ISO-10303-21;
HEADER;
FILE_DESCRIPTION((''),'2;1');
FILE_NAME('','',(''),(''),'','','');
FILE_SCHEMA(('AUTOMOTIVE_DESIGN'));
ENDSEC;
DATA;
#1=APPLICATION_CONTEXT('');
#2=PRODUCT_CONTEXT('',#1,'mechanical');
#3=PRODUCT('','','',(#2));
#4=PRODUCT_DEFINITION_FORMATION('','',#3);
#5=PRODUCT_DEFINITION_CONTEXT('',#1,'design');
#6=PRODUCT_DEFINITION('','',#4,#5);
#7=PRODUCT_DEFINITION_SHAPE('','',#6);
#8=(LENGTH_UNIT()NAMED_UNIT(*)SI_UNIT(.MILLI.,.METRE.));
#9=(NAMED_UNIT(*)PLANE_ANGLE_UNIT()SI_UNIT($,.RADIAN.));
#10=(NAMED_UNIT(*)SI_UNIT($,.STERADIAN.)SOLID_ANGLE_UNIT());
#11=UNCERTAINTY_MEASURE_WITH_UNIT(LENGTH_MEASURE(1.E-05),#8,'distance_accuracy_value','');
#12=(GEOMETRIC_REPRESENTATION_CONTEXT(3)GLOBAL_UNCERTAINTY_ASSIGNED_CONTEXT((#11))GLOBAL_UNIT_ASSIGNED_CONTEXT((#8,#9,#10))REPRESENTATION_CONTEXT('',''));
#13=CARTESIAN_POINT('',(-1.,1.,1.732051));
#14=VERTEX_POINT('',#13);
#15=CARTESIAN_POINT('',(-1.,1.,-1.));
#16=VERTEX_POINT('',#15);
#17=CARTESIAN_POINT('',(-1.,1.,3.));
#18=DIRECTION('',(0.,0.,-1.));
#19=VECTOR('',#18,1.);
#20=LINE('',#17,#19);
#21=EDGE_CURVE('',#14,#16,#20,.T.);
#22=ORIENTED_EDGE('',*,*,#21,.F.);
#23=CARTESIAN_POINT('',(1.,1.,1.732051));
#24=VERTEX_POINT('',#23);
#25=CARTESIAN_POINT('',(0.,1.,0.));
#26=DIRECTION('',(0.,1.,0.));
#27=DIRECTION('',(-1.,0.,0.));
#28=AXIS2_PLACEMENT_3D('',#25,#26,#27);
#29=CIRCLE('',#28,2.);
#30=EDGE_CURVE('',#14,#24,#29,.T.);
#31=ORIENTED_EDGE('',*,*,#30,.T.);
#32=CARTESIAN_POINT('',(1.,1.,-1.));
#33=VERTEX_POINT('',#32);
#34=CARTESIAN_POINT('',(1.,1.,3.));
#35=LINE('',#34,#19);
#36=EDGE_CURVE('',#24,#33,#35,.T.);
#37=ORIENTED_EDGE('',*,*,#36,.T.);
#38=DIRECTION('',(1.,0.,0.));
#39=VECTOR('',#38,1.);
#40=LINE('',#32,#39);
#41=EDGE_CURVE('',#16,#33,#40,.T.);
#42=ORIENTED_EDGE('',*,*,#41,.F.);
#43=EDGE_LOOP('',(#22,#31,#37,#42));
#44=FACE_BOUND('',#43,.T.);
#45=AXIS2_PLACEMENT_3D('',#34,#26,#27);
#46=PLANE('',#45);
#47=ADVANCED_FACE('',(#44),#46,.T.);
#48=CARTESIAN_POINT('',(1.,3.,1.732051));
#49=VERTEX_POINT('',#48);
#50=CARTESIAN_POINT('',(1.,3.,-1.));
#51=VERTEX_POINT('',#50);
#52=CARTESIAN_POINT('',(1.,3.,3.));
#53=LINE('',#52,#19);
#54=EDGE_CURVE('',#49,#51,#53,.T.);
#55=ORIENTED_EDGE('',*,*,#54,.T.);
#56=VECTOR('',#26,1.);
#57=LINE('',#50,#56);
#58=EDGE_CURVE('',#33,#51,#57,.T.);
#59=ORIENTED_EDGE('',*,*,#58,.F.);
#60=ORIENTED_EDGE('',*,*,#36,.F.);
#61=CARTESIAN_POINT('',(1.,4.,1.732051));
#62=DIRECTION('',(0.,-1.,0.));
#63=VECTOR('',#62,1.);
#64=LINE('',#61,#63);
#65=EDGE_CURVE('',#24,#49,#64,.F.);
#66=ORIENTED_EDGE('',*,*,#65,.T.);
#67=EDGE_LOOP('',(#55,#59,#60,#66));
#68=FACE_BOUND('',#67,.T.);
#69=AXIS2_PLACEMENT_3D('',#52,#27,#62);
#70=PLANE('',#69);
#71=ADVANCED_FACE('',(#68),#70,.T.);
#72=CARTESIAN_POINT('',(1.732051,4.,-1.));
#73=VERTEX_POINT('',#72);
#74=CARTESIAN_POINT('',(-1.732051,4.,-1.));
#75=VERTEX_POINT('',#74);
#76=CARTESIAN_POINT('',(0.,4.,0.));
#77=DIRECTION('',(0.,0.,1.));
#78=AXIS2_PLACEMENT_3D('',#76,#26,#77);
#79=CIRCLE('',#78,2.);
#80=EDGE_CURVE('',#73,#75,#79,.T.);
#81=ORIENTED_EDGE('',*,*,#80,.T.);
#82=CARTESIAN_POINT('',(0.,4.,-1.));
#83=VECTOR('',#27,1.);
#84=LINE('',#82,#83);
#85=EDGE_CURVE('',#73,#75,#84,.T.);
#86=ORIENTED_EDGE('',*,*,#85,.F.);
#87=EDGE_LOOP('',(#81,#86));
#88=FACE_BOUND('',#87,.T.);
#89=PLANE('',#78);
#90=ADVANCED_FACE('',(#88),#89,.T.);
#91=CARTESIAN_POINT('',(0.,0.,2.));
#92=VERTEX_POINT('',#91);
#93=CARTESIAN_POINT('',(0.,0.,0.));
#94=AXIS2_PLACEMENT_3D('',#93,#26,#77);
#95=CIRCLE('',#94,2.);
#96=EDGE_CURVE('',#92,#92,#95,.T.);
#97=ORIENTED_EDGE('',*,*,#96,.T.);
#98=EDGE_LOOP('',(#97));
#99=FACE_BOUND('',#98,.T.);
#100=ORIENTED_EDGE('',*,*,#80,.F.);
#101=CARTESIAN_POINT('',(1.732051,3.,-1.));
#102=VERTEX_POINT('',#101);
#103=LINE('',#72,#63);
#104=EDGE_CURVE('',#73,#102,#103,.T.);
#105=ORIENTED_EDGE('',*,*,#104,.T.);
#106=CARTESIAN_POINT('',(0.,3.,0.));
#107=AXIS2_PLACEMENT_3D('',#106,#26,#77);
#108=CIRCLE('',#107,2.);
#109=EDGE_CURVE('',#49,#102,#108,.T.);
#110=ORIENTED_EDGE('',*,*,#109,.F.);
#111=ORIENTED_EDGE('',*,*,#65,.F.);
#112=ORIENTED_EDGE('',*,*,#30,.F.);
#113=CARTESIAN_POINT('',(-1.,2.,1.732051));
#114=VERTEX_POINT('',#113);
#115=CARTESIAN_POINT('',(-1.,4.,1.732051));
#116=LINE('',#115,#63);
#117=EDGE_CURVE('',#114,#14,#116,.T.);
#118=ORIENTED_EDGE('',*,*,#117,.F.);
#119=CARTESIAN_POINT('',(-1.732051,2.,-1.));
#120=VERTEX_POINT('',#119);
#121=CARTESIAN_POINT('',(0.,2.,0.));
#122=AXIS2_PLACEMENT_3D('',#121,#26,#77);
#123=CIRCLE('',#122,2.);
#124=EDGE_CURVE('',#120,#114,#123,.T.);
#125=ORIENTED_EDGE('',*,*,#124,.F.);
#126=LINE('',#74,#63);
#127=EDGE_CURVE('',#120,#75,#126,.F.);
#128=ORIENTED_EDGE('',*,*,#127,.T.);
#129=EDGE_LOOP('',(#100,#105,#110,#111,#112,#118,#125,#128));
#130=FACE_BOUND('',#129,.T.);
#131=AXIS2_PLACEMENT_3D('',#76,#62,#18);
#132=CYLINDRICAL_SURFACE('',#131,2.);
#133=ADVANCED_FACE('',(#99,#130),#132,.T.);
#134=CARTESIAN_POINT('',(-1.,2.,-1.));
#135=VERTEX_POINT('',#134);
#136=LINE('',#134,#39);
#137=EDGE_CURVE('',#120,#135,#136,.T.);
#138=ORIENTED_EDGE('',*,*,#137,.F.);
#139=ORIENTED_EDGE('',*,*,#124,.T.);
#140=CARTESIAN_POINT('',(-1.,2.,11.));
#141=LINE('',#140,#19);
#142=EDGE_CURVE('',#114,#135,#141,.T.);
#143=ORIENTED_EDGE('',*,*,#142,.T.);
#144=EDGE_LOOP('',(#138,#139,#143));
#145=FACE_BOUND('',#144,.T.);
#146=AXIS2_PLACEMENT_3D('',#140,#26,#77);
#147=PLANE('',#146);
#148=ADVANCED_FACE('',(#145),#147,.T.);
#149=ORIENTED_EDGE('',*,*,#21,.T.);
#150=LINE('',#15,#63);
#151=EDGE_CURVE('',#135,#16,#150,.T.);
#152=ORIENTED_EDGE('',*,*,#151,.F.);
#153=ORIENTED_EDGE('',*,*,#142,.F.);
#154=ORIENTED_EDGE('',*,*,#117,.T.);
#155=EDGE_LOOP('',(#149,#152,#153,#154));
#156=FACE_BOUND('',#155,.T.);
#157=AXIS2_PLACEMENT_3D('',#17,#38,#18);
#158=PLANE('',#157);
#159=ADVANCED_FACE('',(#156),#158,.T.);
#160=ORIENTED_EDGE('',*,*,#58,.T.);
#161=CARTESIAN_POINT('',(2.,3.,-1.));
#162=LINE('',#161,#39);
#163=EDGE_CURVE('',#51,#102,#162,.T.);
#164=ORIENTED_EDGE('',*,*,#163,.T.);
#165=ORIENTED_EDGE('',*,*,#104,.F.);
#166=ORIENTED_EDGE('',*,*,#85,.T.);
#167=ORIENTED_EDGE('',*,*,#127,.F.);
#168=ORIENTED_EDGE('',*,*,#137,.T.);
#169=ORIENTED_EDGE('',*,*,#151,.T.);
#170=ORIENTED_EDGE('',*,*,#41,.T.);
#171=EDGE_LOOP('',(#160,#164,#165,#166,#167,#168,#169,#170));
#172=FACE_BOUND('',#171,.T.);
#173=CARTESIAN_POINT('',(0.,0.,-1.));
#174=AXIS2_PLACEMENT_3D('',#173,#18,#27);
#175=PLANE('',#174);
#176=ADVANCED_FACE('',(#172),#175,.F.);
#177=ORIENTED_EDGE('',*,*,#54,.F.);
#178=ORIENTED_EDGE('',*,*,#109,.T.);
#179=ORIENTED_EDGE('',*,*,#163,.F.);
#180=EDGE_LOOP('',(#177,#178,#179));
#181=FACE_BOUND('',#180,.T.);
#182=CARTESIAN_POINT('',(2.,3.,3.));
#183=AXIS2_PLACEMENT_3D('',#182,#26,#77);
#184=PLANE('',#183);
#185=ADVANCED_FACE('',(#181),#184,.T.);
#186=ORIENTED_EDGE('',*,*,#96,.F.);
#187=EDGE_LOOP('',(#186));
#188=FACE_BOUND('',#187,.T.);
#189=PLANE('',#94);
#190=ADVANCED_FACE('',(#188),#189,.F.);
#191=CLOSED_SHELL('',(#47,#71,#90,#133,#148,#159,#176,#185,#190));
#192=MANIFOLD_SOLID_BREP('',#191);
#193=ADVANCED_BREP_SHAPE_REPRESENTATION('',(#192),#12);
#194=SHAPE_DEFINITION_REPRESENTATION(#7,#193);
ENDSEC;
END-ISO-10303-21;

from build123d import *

# Parameters (mm, degrees)
SKETCH1_R               = 2
BOSS_EXTRUDE1_DEPTH     = 4
CUT_EXTRUDE1_DEPTH      = 3
CUT_EXTRUDE1_DEPTH_BACK = 1
SKETCH3_W               = 1
SKETCH3_H               = 1
CUT_EXTRUDE2_DEPTH      = 11
CUT_EXTRUDE2_DEPTH_BACK = 1


with BuildPart() as part:
    # Sketch1 → Boss-Extrude1 (new body)
    with BuildSketch(Plane(origin=(0, 0, 0), x_dir=(1, 0, 0), z_dir=(0, 1, 0))):
        Circle(SKETCH1_R)
    extrude(amount=BOSS_EXTRUDE1_DEPTH)

    # Sketch2 → Cut-Extrude1 (cut, two sides)
    with BuildSketch(Plane.XY) as cut_extrude1_sk:
        Polygon((-2, 4), (2, 4), (2, 3), (1, 3), (1, 1), (-1, 1), (-1, 3), (-2, 3), align=None)
    extrude(amount=CUT_EXTRUDE1_DEPTH, mode=Mode.SUBTRACT)
    extrude(cut_extrude1_sk.sketch, amount=-CUT_EXTRUDE1_DEPTH_BACK, mode=Mode.SUBTRACT)

    # Sketch3 → Cut-Extrude2 (cut, two sides)
    with BuildSketch(Plane.XY) as cut_extrude2_sk:
        with Locations((-1.5, 2.5)):
            Rectangle(SKETCH3_W, SKETCH3_H)
    extrude(amount=CUT_EXTRUDE2_DEPTH, mode=Mode.SUBTRACT)
    extrude(cut_extrude2_sk.sketch, amount=-CUT_EXTRUDE2_DEPTH_BACK, mode=Mode.SUBTRACT)


solid = part.part
